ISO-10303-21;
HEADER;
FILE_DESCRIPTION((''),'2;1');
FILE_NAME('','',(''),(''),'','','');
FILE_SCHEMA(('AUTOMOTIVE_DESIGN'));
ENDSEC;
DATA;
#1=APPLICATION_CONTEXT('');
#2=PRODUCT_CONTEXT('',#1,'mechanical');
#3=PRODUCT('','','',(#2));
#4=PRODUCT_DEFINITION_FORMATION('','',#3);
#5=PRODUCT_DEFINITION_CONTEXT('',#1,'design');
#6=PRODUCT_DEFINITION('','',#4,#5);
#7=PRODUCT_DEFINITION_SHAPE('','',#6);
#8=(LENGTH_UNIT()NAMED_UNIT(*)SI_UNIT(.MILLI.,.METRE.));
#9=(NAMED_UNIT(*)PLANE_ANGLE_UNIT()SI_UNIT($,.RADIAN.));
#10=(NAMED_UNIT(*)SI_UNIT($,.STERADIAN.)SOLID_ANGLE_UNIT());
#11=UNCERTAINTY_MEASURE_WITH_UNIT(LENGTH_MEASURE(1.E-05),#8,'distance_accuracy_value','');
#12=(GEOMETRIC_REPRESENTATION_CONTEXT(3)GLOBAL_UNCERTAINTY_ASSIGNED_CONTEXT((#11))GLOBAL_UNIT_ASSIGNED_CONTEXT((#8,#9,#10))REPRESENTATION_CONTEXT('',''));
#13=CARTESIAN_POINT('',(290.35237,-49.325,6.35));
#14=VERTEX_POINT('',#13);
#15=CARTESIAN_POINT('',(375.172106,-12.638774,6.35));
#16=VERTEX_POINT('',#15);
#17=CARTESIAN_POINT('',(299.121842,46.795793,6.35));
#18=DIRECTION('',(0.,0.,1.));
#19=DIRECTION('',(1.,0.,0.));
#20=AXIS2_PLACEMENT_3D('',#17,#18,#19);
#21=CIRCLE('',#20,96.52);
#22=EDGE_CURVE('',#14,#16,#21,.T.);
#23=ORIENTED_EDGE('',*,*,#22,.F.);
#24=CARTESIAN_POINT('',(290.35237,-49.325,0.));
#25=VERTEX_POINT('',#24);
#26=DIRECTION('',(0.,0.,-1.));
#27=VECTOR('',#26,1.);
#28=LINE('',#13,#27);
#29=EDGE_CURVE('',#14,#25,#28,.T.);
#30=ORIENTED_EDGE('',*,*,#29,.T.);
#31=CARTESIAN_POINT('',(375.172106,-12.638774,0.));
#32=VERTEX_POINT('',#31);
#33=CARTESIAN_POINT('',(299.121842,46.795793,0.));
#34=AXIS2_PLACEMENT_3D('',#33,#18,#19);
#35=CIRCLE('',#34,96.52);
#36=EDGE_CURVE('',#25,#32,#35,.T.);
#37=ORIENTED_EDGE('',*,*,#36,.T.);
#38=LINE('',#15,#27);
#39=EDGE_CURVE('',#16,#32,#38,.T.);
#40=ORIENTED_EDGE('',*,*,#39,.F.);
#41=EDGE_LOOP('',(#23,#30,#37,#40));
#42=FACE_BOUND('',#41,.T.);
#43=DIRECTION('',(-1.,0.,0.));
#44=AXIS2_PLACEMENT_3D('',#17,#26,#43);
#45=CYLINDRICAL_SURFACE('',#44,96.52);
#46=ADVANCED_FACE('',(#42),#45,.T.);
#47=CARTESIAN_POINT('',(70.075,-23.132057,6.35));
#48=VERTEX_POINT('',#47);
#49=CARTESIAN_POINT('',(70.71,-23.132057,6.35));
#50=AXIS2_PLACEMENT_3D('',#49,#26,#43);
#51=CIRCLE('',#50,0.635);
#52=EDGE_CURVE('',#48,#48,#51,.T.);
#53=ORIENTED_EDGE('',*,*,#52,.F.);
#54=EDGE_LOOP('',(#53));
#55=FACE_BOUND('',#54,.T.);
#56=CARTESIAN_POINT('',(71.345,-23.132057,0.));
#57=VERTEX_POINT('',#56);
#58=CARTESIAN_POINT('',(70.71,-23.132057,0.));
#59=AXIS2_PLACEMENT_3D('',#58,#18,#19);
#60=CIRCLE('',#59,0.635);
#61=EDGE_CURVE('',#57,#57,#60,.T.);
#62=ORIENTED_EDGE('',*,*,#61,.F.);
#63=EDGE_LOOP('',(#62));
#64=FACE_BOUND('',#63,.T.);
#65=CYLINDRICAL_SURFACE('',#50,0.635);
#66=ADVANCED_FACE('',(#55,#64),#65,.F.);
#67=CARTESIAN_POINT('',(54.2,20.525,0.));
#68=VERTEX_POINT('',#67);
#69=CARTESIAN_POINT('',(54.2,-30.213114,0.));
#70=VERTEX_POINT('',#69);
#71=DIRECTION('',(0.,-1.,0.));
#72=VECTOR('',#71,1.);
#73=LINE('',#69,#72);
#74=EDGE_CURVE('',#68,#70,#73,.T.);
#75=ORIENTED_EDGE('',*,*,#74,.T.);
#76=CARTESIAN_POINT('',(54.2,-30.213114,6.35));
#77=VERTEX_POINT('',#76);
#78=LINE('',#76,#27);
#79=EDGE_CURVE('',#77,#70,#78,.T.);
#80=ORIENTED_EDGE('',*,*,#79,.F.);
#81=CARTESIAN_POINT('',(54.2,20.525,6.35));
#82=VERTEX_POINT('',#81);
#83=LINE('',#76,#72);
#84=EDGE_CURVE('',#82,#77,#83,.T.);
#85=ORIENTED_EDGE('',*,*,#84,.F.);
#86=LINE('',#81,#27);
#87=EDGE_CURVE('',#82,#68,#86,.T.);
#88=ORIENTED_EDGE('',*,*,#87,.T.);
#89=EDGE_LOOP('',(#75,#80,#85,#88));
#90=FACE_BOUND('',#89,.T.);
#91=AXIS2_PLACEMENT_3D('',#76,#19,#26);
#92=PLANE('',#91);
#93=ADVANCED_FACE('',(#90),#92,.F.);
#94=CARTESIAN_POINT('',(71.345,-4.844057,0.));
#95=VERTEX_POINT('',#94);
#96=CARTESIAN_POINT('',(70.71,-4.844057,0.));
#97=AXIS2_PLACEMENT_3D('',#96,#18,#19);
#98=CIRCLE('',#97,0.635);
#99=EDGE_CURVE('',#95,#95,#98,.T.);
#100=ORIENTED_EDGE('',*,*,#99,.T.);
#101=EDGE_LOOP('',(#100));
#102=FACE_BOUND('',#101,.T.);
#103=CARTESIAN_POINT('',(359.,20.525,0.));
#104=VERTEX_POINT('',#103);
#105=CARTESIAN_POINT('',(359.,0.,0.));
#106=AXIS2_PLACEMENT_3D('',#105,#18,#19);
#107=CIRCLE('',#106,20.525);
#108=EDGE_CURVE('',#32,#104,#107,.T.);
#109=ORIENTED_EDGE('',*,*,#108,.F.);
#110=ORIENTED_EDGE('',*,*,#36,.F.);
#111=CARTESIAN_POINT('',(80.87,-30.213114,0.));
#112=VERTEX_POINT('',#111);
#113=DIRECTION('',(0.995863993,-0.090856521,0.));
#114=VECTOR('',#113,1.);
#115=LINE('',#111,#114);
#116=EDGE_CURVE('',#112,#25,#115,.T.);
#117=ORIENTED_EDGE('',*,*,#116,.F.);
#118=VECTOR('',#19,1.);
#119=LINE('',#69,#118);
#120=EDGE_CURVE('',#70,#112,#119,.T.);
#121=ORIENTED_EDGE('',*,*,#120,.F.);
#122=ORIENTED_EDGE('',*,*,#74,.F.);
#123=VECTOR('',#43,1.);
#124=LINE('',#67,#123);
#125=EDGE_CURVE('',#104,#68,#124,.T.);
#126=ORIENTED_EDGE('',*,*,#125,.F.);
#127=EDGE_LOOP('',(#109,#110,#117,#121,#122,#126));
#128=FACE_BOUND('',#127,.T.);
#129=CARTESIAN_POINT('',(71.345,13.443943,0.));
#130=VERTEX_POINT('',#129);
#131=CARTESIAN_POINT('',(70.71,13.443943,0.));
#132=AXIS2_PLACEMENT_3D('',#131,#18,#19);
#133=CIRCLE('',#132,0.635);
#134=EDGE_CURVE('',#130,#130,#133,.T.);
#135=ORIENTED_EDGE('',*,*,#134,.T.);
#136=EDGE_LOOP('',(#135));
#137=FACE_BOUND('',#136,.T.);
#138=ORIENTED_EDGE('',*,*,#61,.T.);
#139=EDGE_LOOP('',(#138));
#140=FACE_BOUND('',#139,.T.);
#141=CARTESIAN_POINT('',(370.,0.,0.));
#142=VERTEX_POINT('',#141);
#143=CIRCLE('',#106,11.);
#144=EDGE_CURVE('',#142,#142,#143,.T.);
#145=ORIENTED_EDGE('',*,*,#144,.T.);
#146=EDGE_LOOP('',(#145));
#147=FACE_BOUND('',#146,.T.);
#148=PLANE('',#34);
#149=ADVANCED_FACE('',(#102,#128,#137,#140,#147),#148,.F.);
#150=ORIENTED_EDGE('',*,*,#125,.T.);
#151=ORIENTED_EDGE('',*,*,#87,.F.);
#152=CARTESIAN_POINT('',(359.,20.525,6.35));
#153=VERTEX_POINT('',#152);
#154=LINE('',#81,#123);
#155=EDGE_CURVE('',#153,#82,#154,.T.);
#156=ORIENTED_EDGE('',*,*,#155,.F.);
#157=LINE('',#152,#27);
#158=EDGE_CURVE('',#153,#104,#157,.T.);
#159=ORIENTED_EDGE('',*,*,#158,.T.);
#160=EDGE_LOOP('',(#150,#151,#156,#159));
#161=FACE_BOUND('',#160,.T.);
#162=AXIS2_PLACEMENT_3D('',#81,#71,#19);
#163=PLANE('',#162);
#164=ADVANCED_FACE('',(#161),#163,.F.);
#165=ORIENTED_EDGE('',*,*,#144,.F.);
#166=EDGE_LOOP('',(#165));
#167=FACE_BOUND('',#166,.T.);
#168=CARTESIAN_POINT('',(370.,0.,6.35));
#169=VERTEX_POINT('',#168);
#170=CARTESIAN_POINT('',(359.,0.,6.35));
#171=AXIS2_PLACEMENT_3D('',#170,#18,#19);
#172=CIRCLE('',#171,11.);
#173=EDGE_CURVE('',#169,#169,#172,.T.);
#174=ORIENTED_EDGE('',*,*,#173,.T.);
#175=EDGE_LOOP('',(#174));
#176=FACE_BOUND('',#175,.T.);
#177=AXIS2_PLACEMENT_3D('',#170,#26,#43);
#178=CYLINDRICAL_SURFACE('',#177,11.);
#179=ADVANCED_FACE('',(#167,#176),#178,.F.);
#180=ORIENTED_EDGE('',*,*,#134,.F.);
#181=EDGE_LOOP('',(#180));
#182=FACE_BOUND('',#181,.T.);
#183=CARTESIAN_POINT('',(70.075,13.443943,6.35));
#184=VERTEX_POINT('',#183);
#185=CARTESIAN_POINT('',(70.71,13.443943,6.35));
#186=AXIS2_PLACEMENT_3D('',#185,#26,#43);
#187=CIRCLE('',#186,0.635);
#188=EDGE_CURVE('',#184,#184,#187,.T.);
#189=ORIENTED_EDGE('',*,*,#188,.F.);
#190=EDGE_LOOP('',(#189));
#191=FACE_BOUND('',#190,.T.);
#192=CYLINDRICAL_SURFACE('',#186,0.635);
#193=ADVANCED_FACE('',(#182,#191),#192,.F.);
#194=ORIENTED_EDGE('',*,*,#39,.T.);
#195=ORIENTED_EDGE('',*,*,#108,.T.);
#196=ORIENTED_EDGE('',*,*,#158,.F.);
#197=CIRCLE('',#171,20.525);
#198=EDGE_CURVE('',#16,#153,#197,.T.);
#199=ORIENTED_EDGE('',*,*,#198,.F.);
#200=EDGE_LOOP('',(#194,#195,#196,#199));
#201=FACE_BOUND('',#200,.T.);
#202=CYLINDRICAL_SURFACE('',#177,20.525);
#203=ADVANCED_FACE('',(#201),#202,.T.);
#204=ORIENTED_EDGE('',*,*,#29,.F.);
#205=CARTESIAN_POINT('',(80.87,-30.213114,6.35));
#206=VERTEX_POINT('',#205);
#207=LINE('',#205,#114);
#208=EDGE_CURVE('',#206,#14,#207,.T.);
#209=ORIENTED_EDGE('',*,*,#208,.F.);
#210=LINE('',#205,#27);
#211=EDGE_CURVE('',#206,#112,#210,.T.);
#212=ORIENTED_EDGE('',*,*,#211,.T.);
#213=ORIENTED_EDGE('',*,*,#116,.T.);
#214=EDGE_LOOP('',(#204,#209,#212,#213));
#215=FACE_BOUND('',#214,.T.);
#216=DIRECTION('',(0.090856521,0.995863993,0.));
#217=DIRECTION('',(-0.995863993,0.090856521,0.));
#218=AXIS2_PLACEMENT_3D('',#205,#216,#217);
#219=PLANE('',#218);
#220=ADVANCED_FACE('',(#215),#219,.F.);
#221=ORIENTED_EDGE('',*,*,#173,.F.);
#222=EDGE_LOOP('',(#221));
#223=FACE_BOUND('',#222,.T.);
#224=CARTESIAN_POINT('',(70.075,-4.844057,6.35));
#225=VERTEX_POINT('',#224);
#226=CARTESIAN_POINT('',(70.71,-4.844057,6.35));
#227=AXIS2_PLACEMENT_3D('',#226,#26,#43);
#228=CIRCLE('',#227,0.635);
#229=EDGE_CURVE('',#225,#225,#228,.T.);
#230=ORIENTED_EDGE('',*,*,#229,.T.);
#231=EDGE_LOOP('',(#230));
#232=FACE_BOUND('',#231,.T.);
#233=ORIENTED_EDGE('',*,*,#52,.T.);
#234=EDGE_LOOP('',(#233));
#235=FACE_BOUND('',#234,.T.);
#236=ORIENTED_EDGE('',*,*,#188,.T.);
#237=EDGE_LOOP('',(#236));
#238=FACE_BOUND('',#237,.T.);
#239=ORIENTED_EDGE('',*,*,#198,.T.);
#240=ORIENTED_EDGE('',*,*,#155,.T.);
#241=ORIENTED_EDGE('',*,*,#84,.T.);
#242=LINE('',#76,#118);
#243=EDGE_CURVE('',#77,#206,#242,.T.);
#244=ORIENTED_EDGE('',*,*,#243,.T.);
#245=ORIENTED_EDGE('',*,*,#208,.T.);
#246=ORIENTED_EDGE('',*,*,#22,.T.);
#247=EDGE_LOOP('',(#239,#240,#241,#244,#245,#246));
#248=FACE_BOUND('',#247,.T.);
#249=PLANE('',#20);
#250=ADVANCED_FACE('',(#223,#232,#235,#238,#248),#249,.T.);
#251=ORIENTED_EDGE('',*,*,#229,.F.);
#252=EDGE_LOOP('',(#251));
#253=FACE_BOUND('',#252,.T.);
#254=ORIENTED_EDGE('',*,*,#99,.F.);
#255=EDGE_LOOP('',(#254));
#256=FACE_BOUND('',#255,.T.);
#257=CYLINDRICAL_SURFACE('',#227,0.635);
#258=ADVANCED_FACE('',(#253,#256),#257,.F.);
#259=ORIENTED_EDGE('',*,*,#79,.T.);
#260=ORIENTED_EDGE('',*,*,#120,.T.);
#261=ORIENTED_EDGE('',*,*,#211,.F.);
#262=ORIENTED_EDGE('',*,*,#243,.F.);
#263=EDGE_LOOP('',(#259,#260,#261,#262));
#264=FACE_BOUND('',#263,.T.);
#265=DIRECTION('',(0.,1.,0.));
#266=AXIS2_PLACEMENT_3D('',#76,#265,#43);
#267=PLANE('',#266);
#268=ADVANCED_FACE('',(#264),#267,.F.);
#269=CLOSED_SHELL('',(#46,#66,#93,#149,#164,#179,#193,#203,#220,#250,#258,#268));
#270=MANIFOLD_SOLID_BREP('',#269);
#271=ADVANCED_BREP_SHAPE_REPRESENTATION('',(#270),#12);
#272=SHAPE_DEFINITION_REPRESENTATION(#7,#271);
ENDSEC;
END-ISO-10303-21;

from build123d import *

# Parameters (mm, degrees)
SKETCH1_R               = 11
BOSS_EXTRUDE1_DEPTH     = 6.35
CUT_EXTRUDE1_DEPTH      = 383.821165724
CUT_EXTRUDE1_DEPTH_BACK = 383.821165724
SKETCH2_R               = 0.635


with BuildPart() as part:
    # Sketch1 → Boss-Extrude1 (new body)
    with BuildSketch(Plane.XY):
        with BuildLine():
            Line((54.2, -30.213113696), (80.87, -30.213113696))
            Line((80.87, -30.213113696), (290.352370469, -49.325))
            ThreePointArc((290.352370469, -49.325), (337.438235998, -41.792944501), (375.172105998, -12.638774172))
            ThreePointArc((375.172105998, -12.638774172), (377.448393763, 8.996243247), (359, 20.525))
            Line((359, 20.525), (54.2, 20.525))
            Line((54.2, 20.525), (54.2, -30.213113696))
        make_face()
        with Locations((359, 0)):
            Circle(SKETCH1_R, mode=Mode.SUBTRACT)
    extrude(amount=BOSS_EXTRUDE1_DEPTH)

    # Sketch2 → Cut-Extrude1 (cut, two sides: drawn at the far end of the back side and taken through both)
    with BuildSketch(Plane(origin=(0, 0, 0), x_dir=(-1, 0, 0), z_dir=(0, 0, -1)).offset(-CUT_EXTRUDE1_DEPTH_BACK)):
        with Locations((-70.71, -23.132056848)):
            Circle(SKETCH2_R)
        with Locations((-70.71, -4.844056848)):
            Circle(SKETCH2_R)
        with Locations((-70.71, 13.443943152)):
            Circle(SKETCH2_R)
    extrude(amount=CUT_EXTRUDE1_DEPTH + CUT_EXTRUDE1_DEPTH_BACK, mode=Mode.SUBTRACT)


solid = part.part
